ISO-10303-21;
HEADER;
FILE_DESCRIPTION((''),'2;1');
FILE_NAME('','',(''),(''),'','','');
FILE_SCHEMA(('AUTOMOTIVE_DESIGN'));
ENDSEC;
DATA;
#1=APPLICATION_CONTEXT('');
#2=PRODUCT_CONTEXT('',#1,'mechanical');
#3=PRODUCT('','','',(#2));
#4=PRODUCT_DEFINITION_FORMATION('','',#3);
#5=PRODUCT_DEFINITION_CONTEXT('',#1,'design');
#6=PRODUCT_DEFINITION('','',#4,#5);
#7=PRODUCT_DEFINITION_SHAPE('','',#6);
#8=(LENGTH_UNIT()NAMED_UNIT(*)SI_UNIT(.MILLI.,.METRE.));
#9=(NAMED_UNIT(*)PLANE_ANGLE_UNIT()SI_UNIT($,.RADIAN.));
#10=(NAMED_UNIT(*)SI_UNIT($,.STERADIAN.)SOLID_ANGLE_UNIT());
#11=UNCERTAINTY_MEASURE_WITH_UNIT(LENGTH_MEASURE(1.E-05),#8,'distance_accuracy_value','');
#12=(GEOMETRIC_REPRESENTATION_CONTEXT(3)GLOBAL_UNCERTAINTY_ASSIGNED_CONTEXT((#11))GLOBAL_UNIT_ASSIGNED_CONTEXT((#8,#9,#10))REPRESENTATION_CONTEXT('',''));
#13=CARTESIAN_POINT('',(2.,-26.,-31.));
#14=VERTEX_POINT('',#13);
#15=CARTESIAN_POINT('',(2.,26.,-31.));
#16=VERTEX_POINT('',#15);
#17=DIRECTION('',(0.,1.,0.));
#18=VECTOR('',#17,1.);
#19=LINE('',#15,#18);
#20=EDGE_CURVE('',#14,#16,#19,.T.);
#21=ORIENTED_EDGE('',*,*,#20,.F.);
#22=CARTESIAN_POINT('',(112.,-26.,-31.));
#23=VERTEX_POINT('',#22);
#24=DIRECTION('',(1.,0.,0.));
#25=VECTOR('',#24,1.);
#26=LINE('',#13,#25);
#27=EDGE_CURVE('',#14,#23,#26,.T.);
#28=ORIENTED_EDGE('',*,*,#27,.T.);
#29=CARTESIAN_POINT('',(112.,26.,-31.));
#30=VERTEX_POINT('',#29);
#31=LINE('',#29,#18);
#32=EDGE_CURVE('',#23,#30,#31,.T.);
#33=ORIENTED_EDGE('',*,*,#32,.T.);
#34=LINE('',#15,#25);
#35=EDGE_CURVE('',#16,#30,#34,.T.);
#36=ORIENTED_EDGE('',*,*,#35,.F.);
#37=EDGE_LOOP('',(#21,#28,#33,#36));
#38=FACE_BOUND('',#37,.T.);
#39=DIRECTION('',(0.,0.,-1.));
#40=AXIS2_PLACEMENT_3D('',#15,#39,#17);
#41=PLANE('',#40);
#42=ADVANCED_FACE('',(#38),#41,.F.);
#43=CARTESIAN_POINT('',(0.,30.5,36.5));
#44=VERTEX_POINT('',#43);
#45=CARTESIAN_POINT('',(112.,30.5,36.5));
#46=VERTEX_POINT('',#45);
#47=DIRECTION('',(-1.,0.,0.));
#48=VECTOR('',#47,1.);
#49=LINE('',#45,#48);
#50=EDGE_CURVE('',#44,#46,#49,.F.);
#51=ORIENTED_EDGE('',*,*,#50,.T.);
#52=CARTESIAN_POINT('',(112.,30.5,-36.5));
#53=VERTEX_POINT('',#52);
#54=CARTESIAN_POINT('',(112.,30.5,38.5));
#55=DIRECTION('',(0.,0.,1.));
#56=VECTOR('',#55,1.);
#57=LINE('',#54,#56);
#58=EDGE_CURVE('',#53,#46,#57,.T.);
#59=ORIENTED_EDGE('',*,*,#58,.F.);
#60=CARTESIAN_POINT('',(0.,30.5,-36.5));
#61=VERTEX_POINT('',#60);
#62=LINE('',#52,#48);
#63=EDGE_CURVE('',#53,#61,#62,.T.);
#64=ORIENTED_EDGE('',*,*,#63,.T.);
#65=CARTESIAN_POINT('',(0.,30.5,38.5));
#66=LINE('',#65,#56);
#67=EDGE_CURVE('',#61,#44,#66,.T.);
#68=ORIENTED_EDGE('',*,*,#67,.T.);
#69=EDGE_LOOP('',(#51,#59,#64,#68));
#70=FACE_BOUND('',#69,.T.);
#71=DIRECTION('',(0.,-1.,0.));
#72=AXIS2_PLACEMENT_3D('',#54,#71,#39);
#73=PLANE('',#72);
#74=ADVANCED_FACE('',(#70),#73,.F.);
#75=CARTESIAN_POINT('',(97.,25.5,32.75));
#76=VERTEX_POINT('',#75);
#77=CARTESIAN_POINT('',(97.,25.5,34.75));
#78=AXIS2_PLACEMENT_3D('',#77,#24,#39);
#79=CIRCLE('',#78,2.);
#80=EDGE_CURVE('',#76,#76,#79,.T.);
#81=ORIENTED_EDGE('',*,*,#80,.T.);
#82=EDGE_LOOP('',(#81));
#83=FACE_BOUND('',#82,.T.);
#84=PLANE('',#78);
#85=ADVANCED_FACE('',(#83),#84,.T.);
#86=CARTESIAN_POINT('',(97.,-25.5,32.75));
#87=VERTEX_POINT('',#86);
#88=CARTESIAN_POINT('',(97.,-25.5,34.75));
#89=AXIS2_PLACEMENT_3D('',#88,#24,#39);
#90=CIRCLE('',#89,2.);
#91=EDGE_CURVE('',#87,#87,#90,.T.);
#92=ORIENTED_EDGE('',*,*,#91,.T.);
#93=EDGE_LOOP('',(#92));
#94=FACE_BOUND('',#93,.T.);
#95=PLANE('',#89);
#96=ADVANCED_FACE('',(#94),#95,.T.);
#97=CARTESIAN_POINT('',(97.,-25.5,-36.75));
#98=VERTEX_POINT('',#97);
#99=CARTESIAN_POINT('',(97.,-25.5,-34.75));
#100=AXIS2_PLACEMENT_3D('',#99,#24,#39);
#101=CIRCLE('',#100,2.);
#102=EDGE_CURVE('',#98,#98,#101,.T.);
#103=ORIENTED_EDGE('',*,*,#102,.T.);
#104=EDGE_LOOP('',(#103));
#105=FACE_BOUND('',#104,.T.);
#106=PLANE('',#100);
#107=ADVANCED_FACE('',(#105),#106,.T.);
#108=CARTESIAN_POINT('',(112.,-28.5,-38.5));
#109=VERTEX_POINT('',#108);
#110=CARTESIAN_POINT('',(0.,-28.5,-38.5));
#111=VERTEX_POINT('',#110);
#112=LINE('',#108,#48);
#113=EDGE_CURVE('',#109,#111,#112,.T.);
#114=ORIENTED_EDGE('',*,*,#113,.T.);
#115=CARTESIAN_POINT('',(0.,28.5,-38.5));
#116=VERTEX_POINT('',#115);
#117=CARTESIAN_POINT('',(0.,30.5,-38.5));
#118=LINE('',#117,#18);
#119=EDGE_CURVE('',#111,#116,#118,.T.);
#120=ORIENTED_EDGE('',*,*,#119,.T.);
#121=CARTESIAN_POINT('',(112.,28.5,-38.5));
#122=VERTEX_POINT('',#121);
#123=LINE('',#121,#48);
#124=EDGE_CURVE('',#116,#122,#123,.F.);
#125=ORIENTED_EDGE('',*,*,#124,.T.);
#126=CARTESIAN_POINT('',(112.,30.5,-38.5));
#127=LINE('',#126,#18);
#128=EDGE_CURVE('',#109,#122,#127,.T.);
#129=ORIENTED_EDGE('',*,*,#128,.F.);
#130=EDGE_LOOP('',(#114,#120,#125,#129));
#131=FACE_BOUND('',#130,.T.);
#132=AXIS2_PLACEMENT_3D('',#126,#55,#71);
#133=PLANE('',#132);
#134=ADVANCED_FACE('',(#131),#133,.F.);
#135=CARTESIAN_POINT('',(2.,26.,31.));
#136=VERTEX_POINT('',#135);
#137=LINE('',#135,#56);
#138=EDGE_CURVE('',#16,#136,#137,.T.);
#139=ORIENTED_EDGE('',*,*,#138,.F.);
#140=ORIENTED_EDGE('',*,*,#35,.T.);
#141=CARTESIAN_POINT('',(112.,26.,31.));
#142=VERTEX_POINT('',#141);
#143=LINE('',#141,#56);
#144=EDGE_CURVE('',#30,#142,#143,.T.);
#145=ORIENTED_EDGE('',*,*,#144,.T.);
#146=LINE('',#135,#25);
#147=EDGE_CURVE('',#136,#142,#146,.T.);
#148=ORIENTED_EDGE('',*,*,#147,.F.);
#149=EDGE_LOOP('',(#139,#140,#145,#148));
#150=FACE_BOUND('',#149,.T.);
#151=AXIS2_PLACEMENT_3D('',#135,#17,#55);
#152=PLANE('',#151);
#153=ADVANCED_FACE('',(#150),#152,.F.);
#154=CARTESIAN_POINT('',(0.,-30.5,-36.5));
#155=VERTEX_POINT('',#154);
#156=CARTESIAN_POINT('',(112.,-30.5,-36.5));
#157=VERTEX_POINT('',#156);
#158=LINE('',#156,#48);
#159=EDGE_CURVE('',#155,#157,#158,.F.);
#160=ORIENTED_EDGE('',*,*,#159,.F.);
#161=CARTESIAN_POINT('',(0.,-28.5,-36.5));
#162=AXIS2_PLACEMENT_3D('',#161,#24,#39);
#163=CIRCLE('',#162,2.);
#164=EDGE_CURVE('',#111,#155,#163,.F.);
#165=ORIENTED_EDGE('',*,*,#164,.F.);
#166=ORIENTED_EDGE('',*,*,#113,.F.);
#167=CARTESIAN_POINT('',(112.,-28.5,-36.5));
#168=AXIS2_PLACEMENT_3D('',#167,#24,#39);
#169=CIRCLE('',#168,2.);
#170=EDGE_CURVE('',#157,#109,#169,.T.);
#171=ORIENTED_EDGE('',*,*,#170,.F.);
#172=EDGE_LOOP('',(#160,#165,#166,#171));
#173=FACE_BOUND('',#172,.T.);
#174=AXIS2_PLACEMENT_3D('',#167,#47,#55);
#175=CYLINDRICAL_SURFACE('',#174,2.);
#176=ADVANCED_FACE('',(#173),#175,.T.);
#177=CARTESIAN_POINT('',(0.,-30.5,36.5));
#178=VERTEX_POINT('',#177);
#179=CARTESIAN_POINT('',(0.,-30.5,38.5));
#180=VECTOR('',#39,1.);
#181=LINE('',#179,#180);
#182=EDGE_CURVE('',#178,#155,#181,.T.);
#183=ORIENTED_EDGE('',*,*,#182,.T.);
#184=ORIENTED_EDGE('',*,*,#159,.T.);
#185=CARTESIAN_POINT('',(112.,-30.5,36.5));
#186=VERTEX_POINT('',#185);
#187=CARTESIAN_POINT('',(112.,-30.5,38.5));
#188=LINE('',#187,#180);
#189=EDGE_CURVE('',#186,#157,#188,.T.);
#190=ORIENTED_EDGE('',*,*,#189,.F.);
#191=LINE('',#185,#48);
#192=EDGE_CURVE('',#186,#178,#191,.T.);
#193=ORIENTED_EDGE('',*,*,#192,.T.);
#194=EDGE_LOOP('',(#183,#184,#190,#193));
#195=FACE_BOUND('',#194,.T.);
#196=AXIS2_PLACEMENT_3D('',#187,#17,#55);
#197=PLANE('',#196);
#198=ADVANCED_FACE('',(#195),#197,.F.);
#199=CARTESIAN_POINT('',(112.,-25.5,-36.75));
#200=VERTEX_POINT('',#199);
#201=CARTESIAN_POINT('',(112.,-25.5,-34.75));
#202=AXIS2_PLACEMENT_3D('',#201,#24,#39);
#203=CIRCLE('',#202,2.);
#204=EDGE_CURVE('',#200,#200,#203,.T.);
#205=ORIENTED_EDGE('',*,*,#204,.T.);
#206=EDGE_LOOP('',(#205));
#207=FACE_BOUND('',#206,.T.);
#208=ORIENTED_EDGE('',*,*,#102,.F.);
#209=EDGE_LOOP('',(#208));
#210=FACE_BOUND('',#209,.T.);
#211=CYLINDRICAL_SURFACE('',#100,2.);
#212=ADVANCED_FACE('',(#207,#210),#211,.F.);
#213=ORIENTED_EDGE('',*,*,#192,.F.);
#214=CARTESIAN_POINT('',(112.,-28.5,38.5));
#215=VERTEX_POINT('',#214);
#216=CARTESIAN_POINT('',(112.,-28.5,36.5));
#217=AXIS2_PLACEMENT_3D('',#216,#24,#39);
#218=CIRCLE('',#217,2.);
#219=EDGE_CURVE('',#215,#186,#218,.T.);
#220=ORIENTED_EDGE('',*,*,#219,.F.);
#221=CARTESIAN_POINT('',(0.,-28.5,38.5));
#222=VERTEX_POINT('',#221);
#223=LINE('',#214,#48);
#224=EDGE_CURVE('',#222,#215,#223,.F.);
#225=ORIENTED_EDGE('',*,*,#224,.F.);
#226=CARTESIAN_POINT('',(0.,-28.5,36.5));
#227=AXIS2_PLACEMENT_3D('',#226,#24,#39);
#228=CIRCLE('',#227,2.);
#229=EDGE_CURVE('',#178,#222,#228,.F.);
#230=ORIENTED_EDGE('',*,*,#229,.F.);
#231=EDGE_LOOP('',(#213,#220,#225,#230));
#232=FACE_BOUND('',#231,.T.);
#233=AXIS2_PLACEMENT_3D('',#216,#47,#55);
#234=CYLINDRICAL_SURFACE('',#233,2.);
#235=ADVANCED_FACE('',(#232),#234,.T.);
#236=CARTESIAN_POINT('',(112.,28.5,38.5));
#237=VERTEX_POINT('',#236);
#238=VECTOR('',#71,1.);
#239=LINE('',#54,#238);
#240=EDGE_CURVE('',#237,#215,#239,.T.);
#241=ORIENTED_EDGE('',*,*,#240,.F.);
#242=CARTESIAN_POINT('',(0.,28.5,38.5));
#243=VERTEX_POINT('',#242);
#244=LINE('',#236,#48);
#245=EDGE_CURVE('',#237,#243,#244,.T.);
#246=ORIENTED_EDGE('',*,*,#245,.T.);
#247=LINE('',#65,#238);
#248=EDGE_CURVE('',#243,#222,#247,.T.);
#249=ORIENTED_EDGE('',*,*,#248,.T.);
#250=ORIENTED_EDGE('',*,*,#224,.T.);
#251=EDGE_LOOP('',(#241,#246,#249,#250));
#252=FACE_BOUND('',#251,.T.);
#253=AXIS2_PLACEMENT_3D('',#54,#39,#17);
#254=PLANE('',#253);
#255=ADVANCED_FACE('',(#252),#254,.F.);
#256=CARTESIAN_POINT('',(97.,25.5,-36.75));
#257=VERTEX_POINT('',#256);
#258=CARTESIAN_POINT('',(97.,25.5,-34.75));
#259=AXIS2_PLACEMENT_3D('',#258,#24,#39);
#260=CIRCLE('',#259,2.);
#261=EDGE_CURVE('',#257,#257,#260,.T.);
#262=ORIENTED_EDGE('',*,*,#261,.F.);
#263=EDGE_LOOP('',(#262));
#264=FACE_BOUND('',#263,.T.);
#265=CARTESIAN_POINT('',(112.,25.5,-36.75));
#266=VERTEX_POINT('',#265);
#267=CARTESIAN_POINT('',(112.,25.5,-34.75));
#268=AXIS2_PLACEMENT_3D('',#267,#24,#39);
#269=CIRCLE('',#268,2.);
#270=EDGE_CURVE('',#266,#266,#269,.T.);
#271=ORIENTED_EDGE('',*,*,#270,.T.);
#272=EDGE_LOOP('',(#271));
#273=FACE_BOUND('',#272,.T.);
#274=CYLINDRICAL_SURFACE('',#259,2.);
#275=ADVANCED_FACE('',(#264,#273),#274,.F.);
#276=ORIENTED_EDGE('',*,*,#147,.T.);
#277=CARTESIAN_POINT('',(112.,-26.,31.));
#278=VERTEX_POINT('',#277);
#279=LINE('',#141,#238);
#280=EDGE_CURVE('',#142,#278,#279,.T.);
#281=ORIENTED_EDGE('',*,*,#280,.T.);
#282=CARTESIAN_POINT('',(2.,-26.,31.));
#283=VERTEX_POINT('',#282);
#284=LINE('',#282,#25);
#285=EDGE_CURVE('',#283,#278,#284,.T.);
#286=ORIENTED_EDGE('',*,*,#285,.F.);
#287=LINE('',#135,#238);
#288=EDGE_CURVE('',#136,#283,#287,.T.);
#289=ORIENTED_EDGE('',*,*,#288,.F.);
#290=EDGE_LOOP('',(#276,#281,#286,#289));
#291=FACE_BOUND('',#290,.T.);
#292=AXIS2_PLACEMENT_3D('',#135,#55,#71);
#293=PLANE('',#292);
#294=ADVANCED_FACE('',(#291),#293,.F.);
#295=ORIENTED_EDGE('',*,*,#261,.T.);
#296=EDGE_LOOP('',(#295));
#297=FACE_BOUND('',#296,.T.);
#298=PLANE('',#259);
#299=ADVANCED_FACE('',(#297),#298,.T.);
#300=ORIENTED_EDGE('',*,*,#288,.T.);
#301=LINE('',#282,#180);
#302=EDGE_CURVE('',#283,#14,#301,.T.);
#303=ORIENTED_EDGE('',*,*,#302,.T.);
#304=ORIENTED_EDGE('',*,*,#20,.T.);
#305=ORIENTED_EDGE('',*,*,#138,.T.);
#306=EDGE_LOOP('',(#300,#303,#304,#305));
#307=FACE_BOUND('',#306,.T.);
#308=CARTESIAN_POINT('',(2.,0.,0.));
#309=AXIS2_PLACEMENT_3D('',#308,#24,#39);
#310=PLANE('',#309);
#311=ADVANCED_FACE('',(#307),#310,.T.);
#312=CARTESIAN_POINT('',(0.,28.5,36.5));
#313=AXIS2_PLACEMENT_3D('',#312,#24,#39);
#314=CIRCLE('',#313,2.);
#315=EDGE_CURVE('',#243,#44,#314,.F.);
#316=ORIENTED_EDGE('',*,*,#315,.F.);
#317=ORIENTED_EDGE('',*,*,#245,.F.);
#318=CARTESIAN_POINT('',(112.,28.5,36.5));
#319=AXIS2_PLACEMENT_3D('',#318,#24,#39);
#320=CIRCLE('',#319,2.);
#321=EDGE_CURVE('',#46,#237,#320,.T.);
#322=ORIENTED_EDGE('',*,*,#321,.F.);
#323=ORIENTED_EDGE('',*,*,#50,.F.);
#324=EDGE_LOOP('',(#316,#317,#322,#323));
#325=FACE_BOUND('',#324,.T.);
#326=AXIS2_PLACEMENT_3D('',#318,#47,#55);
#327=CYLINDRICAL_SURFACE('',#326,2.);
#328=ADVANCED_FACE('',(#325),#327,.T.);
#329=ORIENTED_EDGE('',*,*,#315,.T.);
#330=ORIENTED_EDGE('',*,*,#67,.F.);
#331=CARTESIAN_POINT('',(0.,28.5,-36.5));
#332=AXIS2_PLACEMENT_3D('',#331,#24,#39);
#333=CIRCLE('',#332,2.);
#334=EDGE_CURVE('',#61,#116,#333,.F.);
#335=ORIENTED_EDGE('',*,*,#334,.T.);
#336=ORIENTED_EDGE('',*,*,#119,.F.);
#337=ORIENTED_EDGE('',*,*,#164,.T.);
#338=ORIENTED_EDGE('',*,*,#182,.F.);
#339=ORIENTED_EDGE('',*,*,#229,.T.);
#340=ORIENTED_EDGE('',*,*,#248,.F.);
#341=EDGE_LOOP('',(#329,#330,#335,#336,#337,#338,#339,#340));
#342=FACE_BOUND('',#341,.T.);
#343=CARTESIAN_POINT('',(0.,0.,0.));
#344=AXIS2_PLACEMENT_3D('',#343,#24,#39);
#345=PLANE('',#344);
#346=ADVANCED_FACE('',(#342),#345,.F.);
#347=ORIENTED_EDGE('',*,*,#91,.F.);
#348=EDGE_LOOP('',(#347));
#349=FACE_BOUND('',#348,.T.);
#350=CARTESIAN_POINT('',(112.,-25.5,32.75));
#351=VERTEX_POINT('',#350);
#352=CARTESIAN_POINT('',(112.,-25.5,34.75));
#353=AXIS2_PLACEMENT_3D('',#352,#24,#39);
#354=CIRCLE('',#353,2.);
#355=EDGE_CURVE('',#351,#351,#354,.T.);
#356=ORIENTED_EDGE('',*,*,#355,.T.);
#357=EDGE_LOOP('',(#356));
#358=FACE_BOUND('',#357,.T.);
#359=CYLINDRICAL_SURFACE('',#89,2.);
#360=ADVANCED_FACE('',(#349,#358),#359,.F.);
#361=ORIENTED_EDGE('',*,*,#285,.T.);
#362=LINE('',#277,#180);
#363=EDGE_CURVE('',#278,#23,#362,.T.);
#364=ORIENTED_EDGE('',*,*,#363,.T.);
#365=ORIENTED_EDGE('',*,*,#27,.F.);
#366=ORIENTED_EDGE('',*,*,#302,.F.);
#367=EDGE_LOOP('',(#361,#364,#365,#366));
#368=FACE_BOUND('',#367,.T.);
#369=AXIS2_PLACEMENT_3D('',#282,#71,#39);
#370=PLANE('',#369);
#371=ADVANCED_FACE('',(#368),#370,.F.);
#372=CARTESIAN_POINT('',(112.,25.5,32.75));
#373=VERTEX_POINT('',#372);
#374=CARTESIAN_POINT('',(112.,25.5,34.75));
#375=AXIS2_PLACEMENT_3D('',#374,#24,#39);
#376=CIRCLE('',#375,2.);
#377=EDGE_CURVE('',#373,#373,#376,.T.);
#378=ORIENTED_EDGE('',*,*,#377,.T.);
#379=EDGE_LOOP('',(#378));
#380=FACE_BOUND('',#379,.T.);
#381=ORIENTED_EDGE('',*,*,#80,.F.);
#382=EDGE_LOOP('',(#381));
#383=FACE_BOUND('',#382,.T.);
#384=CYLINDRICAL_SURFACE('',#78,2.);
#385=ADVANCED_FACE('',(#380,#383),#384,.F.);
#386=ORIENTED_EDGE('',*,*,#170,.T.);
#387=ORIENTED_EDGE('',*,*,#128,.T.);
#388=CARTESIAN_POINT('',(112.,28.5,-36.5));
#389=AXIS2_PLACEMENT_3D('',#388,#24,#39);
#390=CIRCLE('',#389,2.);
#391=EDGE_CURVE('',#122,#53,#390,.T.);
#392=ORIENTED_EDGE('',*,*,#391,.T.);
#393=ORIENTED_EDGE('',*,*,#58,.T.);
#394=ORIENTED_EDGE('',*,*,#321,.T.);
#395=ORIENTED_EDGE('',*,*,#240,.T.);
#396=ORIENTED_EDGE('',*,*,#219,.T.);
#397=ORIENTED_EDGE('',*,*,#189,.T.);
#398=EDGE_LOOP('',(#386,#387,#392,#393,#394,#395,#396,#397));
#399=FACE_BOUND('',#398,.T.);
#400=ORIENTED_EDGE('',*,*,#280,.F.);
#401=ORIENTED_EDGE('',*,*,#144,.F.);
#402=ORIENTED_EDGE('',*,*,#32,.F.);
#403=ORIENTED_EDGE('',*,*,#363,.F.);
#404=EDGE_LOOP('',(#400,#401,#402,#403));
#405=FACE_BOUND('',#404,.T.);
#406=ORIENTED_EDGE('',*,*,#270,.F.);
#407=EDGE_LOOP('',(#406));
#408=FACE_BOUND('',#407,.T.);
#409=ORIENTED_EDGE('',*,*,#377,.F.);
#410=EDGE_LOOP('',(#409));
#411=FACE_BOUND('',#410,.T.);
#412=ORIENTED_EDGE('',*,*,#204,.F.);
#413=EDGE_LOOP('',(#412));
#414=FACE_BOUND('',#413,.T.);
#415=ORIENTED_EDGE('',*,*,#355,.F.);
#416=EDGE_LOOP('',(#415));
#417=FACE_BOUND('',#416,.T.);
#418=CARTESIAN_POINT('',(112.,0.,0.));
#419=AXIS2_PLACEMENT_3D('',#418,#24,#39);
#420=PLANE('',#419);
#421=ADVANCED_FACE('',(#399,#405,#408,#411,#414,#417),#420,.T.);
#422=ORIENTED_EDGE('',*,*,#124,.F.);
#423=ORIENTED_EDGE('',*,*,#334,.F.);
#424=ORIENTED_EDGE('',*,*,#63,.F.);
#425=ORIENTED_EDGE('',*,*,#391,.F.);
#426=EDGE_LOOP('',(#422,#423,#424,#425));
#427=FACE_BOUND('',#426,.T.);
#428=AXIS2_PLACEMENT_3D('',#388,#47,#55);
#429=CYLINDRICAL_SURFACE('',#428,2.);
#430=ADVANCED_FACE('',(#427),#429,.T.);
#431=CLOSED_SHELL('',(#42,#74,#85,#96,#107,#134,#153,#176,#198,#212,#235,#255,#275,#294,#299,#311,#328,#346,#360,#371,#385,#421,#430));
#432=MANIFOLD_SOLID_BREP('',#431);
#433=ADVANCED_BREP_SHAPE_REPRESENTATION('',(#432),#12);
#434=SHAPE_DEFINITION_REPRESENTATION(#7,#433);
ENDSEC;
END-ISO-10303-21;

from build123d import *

# Parameters (mm, degrees)
CROQUIS1_W              = 77
CROQUIS1_H              = 61
SALIENTE_EXTRUIR1_DEPTH = 112
CROQUIS3_W              = 62
CROQUIS3_H              = 52
CORTAR_EXTRUIR4_DEPTH   = 110
CROQUIS10_R             = 2
CORTAR_EXTRUIR5_DEPTH   = 15
REDONDEO1_R             = 2
REDONDEO2_R             = 2


with BuildPart() as part:
    # Croquis1 → Saliente-Extruir1 (new body)
    with BuildSketch(Plane(origin=(0, 0, 0), x_dir=(0, 0, -1), z_dir=(1, 0, 0))):
        Rectangle(CROQUIS1_W, CROQUIS1_H)
    extrude(amount=SALIENTE_EXTRUIR1_DEPTH)

    # Croquis3 → Cortar-Extruir4 (cut)
    with BuildSketch(Plane(origin=(112, 0, 0), x_dir=(0, 0, -1), z_dir=(1, 0, 0))):
        Rectangle(CROQUIS3_W, CROQUIS3_H)
    extrude(amount=-CORTAR_EXTRUIR4_DEPTH, mode=Mode.SUBTRACT)

    # Croquis10 → Cortar-Extruir5 (cut)
    with BuildSketch(Plane(origin=(112, 0, 0), x_dir=(0, 0, -1), z_dir=(1, 0, 0))):
        with Locations((-34.75, 25.5)):
            Circle(CROQUIS10_R)
        with Locations((34.75, 25.5)):
            Circle(CROQUIS10_R)
        with Locations((34.75, -25.5)):
            Circle(CROQUIS10_R)
        with Locations((-34.75, -25.5)):
            Circle(CROQUIS10_R)
    extrude(amount=-CORTAR_EXTRUIR5_DEPTH, mode=Mode.SUBTRACT)

    # Redondeo1
    redondeo1_edges = [part.edges().sort_by_distance(p)[0] for p in [
        (56, 30.5, 38.5),
    ]]
    fillet(redondeo1_edges, radius=REDONDEO1_R)

    # Redondeo2
    redondeo2_edges = [part.edges().sort_by_distance(p)[0] for p in [
        (56, -30.5, -38.5),
        (56, -30.5, 38.5),
        (56, 30.5, -38.5),
    ]]
    fillet(redondeo2_edges, radius=REDONDEO2_R)


solid = part.part
